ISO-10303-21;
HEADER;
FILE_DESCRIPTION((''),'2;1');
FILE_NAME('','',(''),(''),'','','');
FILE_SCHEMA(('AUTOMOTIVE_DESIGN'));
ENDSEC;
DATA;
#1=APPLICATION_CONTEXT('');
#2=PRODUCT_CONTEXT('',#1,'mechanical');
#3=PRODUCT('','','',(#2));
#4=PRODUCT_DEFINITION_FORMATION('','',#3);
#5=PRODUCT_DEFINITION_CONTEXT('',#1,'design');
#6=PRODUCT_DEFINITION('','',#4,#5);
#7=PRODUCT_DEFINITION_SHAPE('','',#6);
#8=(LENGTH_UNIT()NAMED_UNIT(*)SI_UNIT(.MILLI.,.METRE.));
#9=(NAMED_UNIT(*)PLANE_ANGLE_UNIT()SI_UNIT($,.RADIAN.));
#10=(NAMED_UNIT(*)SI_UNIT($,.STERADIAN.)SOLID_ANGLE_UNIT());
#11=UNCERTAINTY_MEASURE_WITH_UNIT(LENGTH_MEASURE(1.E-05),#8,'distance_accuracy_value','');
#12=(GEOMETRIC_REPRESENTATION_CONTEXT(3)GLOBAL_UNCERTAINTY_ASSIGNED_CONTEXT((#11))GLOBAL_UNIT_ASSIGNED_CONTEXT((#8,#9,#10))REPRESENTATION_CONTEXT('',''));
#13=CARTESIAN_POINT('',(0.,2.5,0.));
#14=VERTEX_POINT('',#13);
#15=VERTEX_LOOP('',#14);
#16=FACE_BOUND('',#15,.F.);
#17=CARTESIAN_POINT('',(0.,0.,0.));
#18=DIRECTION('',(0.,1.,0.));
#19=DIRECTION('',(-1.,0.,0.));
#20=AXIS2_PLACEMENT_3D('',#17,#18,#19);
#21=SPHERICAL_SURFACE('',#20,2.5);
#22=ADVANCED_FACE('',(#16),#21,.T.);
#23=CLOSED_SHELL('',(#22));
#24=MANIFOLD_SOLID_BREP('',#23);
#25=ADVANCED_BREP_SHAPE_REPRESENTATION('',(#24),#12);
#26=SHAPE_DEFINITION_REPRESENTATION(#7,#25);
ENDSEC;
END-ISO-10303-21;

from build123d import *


with BuildPart() as part:
    # Skica1 → Rotovat3 (revolve)
    with BuildSketch(Plane.XY):
        with BuildLine():
            Line((0, 2.5), (0, -2.5))
            ThreePointArc((0, -2.5), (-2.5, 0), (0, 2.5))
        make_face()
    revolve(axis=Axis((0, 2.5, 0), (0, -1, 0)))


solid = part.part
